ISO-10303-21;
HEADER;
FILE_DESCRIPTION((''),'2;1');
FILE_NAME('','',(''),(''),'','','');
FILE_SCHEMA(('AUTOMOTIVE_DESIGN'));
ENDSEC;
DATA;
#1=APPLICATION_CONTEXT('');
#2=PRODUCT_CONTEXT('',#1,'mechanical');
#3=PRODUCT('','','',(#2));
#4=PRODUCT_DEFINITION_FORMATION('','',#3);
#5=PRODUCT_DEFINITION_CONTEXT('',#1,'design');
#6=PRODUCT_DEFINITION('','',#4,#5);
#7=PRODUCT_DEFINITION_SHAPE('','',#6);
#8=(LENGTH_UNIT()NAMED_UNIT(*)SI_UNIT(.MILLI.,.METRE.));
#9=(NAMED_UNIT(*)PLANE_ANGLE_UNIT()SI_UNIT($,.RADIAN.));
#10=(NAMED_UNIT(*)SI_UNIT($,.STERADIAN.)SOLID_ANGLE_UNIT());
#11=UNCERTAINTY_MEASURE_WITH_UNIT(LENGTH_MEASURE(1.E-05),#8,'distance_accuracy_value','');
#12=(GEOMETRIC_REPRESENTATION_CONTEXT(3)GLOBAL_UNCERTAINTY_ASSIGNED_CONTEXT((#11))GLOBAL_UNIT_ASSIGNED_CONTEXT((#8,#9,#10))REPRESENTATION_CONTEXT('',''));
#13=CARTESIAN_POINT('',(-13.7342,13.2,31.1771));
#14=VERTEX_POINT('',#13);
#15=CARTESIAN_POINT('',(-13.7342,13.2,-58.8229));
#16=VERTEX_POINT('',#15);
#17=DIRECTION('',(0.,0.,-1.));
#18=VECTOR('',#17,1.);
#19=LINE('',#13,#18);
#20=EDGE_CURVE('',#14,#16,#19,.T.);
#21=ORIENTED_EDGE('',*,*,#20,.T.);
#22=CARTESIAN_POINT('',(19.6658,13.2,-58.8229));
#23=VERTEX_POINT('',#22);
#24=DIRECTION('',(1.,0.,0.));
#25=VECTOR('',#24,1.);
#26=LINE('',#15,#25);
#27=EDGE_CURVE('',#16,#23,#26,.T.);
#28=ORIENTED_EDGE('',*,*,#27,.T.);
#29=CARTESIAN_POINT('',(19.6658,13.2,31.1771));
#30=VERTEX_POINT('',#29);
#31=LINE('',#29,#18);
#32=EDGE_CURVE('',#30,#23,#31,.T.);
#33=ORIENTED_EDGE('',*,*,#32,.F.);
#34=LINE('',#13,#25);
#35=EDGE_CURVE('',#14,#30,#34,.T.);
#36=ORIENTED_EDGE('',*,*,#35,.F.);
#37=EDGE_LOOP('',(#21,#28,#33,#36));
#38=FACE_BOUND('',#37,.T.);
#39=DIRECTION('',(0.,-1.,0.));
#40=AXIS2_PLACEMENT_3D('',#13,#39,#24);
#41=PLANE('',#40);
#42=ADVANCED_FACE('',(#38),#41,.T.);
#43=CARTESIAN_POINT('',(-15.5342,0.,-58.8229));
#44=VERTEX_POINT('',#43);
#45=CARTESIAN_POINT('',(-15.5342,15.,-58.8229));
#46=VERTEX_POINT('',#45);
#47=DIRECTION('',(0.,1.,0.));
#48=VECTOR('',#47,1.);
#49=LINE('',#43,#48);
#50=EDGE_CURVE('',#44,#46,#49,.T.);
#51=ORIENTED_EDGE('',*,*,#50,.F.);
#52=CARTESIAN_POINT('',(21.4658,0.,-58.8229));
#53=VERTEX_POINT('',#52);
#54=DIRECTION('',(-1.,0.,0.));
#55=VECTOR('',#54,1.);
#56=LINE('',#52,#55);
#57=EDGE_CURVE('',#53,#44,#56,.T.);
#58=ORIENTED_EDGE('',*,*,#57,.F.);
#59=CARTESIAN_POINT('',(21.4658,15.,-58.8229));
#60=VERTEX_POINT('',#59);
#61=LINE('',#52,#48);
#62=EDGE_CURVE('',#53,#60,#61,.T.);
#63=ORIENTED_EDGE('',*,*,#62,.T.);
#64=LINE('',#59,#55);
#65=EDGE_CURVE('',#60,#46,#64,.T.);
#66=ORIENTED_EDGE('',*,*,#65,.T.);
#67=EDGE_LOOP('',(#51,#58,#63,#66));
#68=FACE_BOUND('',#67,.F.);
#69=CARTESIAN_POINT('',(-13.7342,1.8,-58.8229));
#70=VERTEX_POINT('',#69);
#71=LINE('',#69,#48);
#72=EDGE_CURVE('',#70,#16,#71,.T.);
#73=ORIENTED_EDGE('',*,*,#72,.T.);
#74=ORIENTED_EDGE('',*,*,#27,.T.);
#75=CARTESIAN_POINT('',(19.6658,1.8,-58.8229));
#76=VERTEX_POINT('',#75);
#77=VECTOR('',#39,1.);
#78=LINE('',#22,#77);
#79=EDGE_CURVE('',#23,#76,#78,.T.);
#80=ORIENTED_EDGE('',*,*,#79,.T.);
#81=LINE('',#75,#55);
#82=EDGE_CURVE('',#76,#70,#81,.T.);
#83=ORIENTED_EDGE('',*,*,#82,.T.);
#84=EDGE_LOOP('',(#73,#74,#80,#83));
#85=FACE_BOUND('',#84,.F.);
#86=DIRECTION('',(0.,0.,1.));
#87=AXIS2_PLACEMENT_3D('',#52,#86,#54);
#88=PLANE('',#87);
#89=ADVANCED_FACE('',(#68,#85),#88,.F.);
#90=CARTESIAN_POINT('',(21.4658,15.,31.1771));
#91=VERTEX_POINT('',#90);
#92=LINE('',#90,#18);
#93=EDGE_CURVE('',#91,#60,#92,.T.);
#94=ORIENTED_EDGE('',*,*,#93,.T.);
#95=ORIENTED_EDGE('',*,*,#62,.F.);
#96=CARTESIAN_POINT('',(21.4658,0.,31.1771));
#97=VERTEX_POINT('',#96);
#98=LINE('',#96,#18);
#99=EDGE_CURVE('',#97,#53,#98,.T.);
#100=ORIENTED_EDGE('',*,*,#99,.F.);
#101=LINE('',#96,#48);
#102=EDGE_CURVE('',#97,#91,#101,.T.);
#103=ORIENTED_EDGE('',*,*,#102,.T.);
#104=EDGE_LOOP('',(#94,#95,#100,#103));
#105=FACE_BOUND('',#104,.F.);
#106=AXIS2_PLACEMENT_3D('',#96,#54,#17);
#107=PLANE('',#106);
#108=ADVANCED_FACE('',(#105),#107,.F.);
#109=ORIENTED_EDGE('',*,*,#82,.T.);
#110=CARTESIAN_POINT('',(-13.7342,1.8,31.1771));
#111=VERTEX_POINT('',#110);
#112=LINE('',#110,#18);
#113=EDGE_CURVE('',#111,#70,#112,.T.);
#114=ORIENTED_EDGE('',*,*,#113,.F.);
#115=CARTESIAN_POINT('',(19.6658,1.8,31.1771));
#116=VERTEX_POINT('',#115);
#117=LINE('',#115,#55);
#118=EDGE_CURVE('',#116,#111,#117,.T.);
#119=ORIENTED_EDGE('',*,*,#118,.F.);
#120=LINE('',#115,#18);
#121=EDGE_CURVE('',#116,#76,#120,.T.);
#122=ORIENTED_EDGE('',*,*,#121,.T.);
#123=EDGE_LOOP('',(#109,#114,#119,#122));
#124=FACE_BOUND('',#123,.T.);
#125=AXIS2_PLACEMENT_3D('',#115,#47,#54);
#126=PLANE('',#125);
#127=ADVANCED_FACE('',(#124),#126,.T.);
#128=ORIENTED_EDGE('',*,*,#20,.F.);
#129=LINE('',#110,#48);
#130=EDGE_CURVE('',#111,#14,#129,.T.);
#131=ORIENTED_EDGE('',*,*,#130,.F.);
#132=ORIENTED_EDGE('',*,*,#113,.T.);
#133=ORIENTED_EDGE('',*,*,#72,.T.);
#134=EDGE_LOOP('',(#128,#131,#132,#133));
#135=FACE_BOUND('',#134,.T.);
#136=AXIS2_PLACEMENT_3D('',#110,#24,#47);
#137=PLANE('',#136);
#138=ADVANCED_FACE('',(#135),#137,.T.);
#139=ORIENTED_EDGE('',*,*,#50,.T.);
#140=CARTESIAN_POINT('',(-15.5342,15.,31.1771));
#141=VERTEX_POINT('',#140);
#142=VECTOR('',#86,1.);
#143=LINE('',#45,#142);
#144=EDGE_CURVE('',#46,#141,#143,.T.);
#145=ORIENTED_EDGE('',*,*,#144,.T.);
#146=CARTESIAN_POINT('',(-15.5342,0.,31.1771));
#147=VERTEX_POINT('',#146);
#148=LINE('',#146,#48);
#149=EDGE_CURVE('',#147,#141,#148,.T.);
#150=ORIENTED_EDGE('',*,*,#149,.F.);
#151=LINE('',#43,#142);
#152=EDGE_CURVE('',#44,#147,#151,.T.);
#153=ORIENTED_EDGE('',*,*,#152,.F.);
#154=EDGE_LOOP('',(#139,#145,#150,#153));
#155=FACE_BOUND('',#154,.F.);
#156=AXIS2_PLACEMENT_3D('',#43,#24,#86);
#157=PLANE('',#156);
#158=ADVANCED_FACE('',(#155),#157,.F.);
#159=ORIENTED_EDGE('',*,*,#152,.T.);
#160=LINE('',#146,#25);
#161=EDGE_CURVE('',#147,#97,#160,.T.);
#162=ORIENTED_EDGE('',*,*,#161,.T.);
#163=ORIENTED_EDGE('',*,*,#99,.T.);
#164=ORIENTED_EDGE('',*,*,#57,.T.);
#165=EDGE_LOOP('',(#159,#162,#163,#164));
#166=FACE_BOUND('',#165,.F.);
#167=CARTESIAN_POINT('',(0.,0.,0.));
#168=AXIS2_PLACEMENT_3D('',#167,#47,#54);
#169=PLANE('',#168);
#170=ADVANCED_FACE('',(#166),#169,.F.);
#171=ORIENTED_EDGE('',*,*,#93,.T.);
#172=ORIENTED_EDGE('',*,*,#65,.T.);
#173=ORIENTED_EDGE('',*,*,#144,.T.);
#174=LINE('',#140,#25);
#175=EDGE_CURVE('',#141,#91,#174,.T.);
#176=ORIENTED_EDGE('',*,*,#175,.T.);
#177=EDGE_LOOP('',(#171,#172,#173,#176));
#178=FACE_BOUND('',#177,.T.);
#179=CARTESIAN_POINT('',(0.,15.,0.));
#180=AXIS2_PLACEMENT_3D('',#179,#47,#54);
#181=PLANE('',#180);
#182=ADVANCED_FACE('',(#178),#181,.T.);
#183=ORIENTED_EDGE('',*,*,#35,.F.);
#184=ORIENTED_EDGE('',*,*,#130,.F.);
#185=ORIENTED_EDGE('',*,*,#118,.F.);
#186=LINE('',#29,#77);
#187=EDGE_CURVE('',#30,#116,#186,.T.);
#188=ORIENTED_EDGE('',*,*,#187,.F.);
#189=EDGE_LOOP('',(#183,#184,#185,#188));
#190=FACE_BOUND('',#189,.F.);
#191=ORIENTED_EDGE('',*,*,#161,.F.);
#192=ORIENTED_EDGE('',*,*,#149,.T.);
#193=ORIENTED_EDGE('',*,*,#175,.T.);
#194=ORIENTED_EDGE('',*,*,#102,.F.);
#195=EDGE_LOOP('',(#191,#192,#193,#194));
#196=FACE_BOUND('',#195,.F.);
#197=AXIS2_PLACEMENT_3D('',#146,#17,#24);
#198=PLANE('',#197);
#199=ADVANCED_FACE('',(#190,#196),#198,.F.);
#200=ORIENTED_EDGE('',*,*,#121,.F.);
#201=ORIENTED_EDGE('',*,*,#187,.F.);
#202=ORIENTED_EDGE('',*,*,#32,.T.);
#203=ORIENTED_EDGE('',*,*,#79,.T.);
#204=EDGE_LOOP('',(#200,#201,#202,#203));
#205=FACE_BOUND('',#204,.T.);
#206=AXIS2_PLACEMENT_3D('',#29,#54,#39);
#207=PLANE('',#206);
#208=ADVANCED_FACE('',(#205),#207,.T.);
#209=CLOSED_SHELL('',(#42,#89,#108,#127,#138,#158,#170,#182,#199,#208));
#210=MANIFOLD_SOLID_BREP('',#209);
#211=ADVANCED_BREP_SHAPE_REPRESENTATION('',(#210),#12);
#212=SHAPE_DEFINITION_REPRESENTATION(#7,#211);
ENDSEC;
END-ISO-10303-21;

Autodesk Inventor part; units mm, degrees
ref_plane "YZ Plane" through (0, 0, 0) normal (1, 0, 0) x (0, 1, 0)
ref_plane "XZ Plane" through (0, 0, 0) normal (0, 1, 0) x (-1, 0, 0)
ref_plane "XY Plane" through (0, 0, 0) normal (0, 0, 1) x (1, 0, 0)
sketch "Boceto1" plane through (0, 0, 0) normal (0, 1, 0) x (-1, 0, 0)
  line L0 (15.5342, 31.1771) -> (-21.4658, 31.1771)
  line L1 (-21.4658, 31.1771) -> (-21.4658, -58.8229)
  line L2 (-21.4658, -58.8229) -> (15.5342, -58.8229)
  line L3 (15.5342, -58.8229) -> (15.5342, 31.1771)
  point P0 (0, 0)
  dimension "d0" = 37
  dimension "d1" = 90
extrude "Extrusión1" add sketch "Boceto1" along normal blind 15
sketch "Boceto2" plane through (-15.5342, 0, 31.1771) normal (0, 0, 1) x (1, 0, 0)
  line L0 (1.8, 13.2) -> (35.2, 13.2)
  line L1 (35.2, 13.2) -> (35.2, 1.8)
  line L2 (35.2, 1.8) -> (1.8, 1.8)
  line L3 (1.8, 1.8) -> (1.8, 13.2)
  line L4 (0, 15) -> (37, 15) projected
  line L5 (0, 0) -> (37, 0) projected
  line L6 (0, 0) -> (0, 15) projected
  line L7 (37, 0) -> (37, 15) projected
  point P0 (15.5342, 0)
  dimension "d4" = 1.8
  dimension "d5" = 1.8
  dimension "d6" = 1.8
  dimension "d7" = 1.8
  dimension "d8" = 33.4
  dimension "d9" = 11.4
extrude "Extrusión2" cut sketch "Boceto2" against normal blind 90 contours L0 L1 L2 L3
properties part number "caja_grafeno"
